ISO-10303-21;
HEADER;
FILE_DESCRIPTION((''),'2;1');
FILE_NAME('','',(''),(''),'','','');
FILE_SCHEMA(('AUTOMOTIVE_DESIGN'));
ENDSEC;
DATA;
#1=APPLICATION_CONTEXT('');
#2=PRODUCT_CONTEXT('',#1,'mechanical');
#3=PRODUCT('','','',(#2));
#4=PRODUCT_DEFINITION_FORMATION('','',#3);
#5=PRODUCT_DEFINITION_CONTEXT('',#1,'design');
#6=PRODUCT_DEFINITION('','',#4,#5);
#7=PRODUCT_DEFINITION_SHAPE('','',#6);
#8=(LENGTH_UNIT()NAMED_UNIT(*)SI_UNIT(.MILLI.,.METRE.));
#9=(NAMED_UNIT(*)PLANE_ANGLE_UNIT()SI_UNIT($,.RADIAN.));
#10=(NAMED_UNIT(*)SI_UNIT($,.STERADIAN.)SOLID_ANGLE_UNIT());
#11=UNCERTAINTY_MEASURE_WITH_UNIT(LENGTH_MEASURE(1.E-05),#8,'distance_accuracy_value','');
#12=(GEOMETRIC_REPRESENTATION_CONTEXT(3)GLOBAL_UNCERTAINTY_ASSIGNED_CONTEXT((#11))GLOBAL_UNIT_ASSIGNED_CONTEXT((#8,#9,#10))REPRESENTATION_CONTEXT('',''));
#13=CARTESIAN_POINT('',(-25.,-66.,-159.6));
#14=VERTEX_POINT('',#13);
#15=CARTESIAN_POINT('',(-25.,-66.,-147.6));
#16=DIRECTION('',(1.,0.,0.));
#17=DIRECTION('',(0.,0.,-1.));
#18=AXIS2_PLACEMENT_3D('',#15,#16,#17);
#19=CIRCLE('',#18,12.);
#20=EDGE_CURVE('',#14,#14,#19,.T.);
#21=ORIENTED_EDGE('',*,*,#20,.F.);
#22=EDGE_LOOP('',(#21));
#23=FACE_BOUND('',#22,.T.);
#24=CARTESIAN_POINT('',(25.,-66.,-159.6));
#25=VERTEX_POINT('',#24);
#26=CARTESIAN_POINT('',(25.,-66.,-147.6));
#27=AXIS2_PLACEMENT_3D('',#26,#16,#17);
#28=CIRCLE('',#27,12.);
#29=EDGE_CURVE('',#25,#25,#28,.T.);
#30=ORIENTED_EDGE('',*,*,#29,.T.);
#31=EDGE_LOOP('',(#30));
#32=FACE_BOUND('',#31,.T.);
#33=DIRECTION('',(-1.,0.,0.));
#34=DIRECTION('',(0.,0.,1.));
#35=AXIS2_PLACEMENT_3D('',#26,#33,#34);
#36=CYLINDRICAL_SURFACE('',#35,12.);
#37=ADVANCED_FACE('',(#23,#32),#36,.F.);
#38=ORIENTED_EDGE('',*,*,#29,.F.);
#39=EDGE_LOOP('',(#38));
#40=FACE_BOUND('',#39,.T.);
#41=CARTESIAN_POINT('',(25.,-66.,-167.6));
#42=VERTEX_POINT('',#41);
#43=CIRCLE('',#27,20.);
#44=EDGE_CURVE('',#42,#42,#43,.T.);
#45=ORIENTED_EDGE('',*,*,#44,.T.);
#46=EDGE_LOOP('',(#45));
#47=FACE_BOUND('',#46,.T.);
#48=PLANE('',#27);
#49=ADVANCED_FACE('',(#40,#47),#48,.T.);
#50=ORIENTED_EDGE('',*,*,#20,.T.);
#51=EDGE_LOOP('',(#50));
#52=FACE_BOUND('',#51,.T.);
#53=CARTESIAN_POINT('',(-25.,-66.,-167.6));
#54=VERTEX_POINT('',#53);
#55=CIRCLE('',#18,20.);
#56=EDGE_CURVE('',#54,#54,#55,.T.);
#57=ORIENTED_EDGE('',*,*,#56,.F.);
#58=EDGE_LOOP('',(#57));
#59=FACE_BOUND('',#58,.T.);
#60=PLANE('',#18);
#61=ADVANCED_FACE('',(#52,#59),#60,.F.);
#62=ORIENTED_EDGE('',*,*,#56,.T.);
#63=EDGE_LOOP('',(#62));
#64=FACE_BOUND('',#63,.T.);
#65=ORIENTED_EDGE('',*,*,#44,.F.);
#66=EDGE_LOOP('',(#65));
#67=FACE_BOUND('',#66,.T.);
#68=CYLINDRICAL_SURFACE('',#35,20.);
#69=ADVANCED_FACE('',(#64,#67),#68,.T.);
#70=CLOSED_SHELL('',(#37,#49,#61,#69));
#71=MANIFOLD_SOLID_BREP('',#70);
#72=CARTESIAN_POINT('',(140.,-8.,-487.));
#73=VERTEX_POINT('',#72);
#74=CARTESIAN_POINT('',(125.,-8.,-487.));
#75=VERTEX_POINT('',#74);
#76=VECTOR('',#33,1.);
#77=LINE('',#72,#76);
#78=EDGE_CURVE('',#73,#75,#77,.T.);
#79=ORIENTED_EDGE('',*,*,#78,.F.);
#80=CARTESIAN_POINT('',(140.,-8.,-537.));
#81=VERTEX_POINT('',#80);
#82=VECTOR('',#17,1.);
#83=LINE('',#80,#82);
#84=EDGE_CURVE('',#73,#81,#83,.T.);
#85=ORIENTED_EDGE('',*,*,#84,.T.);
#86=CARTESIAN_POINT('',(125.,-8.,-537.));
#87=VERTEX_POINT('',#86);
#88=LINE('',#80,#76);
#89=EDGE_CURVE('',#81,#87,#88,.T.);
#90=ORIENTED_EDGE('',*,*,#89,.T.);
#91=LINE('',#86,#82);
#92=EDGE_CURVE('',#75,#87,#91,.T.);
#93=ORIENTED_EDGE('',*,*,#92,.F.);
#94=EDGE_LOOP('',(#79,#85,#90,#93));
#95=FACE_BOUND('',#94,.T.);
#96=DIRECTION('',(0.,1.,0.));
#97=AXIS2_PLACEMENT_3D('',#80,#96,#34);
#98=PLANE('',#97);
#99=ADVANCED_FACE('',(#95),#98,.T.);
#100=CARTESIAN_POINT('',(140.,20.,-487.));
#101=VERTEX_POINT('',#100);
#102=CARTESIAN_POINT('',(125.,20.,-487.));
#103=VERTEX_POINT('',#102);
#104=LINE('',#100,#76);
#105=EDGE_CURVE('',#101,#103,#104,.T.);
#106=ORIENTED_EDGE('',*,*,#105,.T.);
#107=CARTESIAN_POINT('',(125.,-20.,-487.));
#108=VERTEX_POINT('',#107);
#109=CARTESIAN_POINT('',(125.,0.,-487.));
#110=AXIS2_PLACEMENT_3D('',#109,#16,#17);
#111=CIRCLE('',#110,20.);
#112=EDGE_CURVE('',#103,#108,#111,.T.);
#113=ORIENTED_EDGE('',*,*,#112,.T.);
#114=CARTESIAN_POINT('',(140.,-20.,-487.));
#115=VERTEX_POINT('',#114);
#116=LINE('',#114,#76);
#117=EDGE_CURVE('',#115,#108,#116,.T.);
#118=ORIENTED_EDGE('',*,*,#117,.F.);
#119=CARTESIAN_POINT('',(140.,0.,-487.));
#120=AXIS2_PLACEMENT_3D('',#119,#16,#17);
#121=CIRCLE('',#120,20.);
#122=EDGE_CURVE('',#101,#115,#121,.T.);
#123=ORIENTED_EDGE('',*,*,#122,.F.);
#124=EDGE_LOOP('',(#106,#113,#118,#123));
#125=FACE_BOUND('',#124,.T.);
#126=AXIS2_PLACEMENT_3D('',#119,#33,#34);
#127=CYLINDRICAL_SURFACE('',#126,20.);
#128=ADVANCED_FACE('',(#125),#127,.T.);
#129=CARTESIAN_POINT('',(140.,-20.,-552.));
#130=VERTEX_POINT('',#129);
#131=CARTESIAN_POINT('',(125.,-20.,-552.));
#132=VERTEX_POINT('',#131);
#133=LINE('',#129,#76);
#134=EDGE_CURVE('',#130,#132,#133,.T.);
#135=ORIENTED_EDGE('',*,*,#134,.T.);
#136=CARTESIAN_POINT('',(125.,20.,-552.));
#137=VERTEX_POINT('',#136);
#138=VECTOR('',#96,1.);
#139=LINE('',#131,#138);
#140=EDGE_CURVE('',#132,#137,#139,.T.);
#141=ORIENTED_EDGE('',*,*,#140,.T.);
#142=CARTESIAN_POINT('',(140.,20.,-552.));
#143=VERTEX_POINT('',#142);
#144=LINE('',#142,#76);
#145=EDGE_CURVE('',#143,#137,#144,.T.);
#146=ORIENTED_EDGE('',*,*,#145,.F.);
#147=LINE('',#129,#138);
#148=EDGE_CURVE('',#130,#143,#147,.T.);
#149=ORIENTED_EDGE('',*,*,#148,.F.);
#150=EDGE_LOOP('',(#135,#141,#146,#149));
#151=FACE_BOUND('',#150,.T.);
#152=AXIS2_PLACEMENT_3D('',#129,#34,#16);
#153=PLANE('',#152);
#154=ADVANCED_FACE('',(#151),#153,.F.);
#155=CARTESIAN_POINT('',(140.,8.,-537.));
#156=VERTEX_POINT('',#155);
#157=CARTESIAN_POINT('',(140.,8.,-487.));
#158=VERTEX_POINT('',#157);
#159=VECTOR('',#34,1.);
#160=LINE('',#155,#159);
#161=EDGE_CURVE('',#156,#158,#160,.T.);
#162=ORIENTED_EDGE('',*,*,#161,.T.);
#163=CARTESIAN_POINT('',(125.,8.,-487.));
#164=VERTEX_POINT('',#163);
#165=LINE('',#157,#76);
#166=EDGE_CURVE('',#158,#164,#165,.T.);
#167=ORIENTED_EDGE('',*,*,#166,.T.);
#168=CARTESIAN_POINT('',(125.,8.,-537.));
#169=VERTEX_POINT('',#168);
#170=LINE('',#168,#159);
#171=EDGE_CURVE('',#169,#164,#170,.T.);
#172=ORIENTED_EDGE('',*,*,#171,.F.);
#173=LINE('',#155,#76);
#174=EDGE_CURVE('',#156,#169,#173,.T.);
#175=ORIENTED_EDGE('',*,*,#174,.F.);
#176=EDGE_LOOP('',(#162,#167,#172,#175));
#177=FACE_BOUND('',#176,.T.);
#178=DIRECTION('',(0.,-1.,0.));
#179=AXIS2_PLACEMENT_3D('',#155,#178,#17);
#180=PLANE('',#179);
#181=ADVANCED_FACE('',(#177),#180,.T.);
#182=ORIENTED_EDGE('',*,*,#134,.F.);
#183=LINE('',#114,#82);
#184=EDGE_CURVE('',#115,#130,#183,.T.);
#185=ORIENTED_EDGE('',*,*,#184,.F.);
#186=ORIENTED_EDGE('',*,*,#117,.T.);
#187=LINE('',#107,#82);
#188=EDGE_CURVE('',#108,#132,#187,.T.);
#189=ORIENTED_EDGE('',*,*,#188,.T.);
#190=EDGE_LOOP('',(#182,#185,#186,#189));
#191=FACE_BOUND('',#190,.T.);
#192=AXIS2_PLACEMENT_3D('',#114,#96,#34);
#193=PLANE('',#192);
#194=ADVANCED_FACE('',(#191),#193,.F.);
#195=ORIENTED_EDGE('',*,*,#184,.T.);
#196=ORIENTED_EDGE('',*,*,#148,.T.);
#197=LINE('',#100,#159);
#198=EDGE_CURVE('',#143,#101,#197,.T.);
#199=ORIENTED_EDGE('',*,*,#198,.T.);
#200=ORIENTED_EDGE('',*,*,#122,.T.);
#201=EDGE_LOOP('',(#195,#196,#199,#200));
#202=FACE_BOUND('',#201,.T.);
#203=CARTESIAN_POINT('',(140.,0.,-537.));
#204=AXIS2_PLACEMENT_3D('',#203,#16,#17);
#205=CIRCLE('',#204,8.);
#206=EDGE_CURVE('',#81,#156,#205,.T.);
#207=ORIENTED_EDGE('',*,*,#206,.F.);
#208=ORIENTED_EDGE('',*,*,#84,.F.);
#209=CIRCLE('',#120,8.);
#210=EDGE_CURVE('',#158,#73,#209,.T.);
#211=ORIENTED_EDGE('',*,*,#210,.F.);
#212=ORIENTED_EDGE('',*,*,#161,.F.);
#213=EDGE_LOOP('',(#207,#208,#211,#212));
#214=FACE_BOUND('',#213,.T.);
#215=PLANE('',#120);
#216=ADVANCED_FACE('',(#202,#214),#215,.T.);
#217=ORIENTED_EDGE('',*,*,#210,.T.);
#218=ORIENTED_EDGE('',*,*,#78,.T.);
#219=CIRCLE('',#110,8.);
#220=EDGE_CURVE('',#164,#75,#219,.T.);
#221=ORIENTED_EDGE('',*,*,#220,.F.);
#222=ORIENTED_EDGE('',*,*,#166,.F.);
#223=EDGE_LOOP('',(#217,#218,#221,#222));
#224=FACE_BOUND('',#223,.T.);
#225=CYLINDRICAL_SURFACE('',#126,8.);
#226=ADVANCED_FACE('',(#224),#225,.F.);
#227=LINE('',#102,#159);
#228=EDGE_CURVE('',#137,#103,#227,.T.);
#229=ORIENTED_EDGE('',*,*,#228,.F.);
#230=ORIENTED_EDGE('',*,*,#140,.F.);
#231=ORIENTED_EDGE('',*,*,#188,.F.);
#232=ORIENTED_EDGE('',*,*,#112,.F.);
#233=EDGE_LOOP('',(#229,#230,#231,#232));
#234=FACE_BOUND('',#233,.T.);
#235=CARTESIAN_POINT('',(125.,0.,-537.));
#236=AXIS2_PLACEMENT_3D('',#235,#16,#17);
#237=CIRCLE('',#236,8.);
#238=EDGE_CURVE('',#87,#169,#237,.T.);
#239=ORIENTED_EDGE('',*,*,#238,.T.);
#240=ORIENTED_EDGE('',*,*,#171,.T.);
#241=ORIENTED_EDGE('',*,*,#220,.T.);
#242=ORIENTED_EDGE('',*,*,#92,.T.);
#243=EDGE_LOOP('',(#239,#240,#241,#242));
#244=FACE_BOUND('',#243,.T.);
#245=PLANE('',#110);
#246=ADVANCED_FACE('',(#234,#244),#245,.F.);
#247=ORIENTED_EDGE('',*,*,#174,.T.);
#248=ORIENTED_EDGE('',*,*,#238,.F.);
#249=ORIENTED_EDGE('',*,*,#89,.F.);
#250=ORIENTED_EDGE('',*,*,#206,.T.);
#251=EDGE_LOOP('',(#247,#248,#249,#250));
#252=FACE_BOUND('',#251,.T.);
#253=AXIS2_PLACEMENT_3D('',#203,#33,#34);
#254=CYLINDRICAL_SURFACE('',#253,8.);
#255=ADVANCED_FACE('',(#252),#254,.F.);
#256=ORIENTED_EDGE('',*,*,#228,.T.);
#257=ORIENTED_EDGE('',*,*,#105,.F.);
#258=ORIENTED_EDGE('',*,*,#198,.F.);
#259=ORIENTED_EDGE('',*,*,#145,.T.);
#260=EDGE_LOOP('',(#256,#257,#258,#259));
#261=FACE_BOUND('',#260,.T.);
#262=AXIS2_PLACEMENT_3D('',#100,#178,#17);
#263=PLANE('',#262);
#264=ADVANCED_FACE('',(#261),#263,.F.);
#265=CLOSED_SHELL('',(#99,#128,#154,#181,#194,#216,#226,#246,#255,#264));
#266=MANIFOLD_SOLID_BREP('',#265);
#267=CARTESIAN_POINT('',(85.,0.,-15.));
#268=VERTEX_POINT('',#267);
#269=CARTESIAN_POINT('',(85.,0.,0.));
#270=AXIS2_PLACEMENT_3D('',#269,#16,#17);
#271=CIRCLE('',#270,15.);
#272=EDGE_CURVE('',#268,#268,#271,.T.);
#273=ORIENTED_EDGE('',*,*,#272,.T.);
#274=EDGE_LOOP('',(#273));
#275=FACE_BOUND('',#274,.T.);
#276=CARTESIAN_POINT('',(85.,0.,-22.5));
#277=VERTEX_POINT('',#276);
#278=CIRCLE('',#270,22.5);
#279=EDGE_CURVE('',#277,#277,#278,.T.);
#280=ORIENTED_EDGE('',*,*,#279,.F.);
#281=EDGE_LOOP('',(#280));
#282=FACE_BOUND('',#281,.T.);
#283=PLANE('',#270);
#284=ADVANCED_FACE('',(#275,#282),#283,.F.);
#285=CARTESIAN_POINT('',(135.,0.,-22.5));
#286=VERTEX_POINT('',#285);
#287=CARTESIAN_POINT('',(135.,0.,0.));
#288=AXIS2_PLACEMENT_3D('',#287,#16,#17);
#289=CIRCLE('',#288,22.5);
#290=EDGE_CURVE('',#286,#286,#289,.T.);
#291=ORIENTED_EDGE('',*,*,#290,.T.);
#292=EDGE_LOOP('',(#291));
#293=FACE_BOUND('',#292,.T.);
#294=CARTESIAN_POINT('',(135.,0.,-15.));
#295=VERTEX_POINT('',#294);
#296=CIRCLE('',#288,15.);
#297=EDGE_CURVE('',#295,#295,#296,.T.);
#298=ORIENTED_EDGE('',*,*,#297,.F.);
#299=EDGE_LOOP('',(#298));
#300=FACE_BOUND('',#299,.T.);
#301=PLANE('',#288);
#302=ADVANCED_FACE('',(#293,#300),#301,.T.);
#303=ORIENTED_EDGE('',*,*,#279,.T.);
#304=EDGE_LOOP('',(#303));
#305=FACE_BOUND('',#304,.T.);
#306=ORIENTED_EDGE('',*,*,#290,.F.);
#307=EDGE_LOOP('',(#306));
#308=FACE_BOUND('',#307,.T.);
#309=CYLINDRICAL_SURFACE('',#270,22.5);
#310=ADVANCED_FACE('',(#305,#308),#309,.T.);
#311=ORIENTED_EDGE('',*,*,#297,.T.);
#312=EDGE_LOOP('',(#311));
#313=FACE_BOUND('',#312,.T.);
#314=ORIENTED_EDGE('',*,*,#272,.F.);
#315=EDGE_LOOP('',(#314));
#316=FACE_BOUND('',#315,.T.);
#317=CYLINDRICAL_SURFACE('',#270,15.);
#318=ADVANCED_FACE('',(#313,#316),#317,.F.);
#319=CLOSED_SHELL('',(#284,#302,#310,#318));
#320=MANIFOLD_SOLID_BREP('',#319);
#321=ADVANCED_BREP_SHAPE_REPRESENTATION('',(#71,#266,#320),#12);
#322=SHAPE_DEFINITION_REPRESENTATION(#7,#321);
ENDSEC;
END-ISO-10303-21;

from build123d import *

# Parameters (mm, degrees)
SZKIC_INSERT_RAMA_R      = 22.5
SZKIC_INSERT_RAMA_R_2    = 15
RAMA_DEPTH               = 50
SZKIC_INSERT_LINKAGE_R   = 20
SZKIC_INSERT_LINKAGE_R_2 = 12
LINKAGE_DEPTH            = 25
TYLNE_KO_O_DEPTH         = 15


with BuildPart() as part:
    # Szkic - insert - rama → Rama (new body)
    with BuildSketch(Plane(origin=(135, 0, 0), x_dir=(0, 0, -1), z_dir=(1, 0, 0))):
        Circle(SZKIC_INSERT_RAMA_R)
        Circle(SZKIC_INSERT_RAMA_R_2, mode=Mode.SUBTRACT)
    extrude(amount=-RAMA_DEPTH)


with BuildPart() as body_2:
    # Szkic - insert - linkage → Linkage (new, symmetric)
    with BuildSketch(Plane(origin=(0, 0, 0), x_dir=(0, 0, -1), z_dir=(1, 0, 0))):
        with Locations((147.6, -66)):
            Circle(SZKIC_INSERT_LINKAGE_R)
        with Locations((147.6, -66)):
            Circle(SZKIC_INSERT_LINKAGE_R_2, mode=Mode.SUBTRACT)
    extrude(amount=LINKAGE_DEPTH, both=True)


with BuildPart() as body_3:
    # Szkic - insert - tylne koło → Tylne koło (new body)
    with BuildSketch(Plane(origin=(125, 0, 0), x_dir=(0, 0, -1), z_dir=(1, 0, 0))):
        with BuildLine():
            Line((487, 20), (552, 20))
            Line((552, 20), (552, -20))
            Line((552, -20), (487, -20))
            ThreePointArc((487, -20), (467, 0), (487, 20))
        make_face()
        with BuildLine():
            Line((537, 8), (487, 8))
            ThreePointArc((487, 8), (479, 0), (487, -8))
            Line((487, -8), (537, -8))
            ThreePointArc((537, -8), (545, 0), (537, 8))
        make_face(mode=Mode.SUBTRACT)
    extrude(amount=TYLNE_KO_O_DEPTH)


solid = Compound([part.part, body_2.part, body_3.part])
